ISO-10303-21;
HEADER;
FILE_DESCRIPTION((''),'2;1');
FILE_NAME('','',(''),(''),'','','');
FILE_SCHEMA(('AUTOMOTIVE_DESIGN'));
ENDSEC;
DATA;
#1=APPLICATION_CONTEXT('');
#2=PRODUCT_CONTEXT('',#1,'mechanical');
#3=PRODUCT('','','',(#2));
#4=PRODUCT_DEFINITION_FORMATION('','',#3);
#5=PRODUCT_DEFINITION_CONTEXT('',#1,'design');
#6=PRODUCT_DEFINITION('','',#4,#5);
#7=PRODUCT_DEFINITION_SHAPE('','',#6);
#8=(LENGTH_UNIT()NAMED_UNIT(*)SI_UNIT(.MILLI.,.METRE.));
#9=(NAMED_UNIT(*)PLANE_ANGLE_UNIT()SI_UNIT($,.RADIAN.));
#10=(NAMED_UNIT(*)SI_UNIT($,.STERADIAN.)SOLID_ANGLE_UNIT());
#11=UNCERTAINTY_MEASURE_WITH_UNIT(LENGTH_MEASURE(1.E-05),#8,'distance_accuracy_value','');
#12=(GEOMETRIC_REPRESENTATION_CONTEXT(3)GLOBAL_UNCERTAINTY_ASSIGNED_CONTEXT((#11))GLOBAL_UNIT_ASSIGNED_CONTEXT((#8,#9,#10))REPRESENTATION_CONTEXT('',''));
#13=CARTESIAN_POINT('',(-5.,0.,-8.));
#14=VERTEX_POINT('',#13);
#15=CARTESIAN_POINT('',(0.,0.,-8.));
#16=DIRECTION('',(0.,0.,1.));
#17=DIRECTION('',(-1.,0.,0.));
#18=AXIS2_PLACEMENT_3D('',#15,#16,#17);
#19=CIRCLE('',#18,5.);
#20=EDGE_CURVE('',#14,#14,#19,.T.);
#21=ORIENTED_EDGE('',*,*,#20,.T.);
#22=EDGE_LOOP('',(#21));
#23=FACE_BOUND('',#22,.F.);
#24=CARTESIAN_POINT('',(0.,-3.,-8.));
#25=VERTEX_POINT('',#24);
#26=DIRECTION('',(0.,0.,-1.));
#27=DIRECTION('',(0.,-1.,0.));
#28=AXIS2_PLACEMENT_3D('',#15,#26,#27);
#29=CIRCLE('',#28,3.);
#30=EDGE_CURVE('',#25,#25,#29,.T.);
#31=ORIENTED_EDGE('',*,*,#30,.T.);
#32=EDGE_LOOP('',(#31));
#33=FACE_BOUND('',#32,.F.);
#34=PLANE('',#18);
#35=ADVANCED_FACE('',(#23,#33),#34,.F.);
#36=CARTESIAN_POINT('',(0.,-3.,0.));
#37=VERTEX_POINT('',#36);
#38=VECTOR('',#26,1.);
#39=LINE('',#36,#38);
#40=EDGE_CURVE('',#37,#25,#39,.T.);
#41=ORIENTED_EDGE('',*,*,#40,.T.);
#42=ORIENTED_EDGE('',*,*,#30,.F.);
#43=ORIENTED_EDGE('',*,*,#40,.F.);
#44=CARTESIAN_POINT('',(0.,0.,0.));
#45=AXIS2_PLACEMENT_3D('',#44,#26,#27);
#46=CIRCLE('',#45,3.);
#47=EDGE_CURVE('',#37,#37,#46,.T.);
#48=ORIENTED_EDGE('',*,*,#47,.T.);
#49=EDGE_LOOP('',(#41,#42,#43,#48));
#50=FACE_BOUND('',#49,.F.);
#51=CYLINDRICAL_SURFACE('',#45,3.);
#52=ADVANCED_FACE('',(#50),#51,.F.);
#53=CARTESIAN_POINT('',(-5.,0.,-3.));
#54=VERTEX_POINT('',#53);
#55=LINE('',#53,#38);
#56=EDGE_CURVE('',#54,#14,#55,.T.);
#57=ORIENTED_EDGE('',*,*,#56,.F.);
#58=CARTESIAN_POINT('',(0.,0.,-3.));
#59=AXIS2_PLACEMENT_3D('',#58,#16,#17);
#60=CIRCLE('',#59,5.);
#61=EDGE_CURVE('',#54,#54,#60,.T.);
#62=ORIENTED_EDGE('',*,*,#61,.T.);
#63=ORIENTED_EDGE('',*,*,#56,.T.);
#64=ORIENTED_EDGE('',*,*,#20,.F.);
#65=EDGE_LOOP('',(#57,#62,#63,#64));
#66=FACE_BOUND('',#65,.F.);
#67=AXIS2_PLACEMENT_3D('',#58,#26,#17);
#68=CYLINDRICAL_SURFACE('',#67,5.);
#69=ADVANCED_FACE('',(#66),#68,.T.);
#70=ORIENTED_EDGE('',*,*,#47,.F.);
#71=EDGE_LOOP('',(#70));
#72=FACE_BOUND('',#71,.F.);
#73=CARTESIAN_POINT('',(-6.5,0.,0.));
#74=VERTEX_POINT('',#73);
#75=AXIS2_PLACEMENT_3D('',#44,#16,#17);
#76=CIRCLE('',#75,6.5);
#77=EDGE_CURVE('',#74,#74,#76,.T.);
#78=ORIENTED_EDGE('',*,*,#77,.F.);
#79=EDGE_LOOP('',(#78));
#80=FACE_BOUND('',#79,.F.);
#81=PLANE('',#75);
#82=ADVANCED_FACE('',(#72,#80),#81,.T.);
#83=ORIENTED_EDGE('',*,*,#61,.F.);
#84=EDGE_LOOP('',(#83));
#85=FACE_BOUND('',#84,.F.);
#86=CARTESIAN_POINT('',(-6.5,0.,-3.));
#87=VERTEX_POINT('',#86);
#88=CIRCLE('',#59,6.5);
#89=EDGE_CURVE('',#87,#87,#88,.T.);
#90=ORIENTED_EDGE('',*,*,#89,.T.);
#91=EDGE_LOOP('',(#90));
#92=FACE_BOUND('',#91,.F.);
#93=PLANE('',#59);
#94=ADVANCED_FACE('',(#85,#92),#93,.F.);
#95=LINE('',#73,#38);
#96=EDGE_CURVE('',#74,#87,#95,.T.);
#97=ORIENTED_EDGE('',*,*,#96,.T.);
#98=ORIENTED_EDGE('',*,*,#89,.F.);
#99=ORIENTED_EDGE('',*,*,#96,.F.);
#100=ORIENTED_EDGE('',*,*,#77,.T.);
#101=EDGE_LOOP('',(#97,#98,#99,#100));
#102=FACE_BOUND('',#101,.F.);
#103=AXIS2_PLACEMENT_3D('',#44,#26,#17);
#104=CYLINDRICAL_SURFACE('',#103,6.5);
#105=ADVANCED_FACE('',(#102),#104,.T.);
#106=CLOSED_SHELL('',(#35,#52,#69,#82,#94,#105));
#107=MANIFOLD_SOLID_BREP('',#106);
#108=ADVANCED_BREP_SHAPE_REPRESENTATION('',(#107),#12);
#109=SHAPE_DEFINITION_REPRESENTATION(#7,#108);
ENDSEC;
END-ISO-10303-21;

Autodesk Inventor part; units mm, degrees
ref_plane "YZ Plane" through (0, 0, 0) normal (1, 0, 0) x (0, 1, 0)
ref_plane "XZ Plane" through (0, 0, 0) normal (0, 1, 0) x (-1, 0, 0)
ref_plane "XY Plane" through (0, 0, 0) normal (0, 0, 1) x (1, 0, 0)
sketch "Skizze1" plane through (0, 0, 0) normal (0, 1, 0) x (-1, 0, 0)
  line L0 (0, 0) -> (6.5, 0)
  line L1 (6.5, 0) -> (6.5, -3)
  line L2 (6.5, -3) -> (5, -3)
  line L3 (5, -3) -> (5, -8)
  line L4 (5, -8) -> (0, -8)
  line L5 (0, -8) -> (0, 0)
  point P0 (5.75, -3)
  dimension "d0" = 3
  dimension "d1" = 5
  dimension "d2" = 10
  dimension "d3" = 13
revolve "Umdrehung1" add sketch "Skizze1" angle 360 about axis through (0, 0, -8) along (0, 0, 1)
sketch "Skizze2" plane through (0, 0, 0) normal (0, 0, 1) x (1, 0, 0)
  circle A0 centre (0, 0) radius 6.5 projected
  point P0 (0, 0)
hole "Bohrung1" at (0, 0, 0) direction (0, 0, -1) diameter 6 end through all
properties part number "1173" material "Aluminium 6061"
